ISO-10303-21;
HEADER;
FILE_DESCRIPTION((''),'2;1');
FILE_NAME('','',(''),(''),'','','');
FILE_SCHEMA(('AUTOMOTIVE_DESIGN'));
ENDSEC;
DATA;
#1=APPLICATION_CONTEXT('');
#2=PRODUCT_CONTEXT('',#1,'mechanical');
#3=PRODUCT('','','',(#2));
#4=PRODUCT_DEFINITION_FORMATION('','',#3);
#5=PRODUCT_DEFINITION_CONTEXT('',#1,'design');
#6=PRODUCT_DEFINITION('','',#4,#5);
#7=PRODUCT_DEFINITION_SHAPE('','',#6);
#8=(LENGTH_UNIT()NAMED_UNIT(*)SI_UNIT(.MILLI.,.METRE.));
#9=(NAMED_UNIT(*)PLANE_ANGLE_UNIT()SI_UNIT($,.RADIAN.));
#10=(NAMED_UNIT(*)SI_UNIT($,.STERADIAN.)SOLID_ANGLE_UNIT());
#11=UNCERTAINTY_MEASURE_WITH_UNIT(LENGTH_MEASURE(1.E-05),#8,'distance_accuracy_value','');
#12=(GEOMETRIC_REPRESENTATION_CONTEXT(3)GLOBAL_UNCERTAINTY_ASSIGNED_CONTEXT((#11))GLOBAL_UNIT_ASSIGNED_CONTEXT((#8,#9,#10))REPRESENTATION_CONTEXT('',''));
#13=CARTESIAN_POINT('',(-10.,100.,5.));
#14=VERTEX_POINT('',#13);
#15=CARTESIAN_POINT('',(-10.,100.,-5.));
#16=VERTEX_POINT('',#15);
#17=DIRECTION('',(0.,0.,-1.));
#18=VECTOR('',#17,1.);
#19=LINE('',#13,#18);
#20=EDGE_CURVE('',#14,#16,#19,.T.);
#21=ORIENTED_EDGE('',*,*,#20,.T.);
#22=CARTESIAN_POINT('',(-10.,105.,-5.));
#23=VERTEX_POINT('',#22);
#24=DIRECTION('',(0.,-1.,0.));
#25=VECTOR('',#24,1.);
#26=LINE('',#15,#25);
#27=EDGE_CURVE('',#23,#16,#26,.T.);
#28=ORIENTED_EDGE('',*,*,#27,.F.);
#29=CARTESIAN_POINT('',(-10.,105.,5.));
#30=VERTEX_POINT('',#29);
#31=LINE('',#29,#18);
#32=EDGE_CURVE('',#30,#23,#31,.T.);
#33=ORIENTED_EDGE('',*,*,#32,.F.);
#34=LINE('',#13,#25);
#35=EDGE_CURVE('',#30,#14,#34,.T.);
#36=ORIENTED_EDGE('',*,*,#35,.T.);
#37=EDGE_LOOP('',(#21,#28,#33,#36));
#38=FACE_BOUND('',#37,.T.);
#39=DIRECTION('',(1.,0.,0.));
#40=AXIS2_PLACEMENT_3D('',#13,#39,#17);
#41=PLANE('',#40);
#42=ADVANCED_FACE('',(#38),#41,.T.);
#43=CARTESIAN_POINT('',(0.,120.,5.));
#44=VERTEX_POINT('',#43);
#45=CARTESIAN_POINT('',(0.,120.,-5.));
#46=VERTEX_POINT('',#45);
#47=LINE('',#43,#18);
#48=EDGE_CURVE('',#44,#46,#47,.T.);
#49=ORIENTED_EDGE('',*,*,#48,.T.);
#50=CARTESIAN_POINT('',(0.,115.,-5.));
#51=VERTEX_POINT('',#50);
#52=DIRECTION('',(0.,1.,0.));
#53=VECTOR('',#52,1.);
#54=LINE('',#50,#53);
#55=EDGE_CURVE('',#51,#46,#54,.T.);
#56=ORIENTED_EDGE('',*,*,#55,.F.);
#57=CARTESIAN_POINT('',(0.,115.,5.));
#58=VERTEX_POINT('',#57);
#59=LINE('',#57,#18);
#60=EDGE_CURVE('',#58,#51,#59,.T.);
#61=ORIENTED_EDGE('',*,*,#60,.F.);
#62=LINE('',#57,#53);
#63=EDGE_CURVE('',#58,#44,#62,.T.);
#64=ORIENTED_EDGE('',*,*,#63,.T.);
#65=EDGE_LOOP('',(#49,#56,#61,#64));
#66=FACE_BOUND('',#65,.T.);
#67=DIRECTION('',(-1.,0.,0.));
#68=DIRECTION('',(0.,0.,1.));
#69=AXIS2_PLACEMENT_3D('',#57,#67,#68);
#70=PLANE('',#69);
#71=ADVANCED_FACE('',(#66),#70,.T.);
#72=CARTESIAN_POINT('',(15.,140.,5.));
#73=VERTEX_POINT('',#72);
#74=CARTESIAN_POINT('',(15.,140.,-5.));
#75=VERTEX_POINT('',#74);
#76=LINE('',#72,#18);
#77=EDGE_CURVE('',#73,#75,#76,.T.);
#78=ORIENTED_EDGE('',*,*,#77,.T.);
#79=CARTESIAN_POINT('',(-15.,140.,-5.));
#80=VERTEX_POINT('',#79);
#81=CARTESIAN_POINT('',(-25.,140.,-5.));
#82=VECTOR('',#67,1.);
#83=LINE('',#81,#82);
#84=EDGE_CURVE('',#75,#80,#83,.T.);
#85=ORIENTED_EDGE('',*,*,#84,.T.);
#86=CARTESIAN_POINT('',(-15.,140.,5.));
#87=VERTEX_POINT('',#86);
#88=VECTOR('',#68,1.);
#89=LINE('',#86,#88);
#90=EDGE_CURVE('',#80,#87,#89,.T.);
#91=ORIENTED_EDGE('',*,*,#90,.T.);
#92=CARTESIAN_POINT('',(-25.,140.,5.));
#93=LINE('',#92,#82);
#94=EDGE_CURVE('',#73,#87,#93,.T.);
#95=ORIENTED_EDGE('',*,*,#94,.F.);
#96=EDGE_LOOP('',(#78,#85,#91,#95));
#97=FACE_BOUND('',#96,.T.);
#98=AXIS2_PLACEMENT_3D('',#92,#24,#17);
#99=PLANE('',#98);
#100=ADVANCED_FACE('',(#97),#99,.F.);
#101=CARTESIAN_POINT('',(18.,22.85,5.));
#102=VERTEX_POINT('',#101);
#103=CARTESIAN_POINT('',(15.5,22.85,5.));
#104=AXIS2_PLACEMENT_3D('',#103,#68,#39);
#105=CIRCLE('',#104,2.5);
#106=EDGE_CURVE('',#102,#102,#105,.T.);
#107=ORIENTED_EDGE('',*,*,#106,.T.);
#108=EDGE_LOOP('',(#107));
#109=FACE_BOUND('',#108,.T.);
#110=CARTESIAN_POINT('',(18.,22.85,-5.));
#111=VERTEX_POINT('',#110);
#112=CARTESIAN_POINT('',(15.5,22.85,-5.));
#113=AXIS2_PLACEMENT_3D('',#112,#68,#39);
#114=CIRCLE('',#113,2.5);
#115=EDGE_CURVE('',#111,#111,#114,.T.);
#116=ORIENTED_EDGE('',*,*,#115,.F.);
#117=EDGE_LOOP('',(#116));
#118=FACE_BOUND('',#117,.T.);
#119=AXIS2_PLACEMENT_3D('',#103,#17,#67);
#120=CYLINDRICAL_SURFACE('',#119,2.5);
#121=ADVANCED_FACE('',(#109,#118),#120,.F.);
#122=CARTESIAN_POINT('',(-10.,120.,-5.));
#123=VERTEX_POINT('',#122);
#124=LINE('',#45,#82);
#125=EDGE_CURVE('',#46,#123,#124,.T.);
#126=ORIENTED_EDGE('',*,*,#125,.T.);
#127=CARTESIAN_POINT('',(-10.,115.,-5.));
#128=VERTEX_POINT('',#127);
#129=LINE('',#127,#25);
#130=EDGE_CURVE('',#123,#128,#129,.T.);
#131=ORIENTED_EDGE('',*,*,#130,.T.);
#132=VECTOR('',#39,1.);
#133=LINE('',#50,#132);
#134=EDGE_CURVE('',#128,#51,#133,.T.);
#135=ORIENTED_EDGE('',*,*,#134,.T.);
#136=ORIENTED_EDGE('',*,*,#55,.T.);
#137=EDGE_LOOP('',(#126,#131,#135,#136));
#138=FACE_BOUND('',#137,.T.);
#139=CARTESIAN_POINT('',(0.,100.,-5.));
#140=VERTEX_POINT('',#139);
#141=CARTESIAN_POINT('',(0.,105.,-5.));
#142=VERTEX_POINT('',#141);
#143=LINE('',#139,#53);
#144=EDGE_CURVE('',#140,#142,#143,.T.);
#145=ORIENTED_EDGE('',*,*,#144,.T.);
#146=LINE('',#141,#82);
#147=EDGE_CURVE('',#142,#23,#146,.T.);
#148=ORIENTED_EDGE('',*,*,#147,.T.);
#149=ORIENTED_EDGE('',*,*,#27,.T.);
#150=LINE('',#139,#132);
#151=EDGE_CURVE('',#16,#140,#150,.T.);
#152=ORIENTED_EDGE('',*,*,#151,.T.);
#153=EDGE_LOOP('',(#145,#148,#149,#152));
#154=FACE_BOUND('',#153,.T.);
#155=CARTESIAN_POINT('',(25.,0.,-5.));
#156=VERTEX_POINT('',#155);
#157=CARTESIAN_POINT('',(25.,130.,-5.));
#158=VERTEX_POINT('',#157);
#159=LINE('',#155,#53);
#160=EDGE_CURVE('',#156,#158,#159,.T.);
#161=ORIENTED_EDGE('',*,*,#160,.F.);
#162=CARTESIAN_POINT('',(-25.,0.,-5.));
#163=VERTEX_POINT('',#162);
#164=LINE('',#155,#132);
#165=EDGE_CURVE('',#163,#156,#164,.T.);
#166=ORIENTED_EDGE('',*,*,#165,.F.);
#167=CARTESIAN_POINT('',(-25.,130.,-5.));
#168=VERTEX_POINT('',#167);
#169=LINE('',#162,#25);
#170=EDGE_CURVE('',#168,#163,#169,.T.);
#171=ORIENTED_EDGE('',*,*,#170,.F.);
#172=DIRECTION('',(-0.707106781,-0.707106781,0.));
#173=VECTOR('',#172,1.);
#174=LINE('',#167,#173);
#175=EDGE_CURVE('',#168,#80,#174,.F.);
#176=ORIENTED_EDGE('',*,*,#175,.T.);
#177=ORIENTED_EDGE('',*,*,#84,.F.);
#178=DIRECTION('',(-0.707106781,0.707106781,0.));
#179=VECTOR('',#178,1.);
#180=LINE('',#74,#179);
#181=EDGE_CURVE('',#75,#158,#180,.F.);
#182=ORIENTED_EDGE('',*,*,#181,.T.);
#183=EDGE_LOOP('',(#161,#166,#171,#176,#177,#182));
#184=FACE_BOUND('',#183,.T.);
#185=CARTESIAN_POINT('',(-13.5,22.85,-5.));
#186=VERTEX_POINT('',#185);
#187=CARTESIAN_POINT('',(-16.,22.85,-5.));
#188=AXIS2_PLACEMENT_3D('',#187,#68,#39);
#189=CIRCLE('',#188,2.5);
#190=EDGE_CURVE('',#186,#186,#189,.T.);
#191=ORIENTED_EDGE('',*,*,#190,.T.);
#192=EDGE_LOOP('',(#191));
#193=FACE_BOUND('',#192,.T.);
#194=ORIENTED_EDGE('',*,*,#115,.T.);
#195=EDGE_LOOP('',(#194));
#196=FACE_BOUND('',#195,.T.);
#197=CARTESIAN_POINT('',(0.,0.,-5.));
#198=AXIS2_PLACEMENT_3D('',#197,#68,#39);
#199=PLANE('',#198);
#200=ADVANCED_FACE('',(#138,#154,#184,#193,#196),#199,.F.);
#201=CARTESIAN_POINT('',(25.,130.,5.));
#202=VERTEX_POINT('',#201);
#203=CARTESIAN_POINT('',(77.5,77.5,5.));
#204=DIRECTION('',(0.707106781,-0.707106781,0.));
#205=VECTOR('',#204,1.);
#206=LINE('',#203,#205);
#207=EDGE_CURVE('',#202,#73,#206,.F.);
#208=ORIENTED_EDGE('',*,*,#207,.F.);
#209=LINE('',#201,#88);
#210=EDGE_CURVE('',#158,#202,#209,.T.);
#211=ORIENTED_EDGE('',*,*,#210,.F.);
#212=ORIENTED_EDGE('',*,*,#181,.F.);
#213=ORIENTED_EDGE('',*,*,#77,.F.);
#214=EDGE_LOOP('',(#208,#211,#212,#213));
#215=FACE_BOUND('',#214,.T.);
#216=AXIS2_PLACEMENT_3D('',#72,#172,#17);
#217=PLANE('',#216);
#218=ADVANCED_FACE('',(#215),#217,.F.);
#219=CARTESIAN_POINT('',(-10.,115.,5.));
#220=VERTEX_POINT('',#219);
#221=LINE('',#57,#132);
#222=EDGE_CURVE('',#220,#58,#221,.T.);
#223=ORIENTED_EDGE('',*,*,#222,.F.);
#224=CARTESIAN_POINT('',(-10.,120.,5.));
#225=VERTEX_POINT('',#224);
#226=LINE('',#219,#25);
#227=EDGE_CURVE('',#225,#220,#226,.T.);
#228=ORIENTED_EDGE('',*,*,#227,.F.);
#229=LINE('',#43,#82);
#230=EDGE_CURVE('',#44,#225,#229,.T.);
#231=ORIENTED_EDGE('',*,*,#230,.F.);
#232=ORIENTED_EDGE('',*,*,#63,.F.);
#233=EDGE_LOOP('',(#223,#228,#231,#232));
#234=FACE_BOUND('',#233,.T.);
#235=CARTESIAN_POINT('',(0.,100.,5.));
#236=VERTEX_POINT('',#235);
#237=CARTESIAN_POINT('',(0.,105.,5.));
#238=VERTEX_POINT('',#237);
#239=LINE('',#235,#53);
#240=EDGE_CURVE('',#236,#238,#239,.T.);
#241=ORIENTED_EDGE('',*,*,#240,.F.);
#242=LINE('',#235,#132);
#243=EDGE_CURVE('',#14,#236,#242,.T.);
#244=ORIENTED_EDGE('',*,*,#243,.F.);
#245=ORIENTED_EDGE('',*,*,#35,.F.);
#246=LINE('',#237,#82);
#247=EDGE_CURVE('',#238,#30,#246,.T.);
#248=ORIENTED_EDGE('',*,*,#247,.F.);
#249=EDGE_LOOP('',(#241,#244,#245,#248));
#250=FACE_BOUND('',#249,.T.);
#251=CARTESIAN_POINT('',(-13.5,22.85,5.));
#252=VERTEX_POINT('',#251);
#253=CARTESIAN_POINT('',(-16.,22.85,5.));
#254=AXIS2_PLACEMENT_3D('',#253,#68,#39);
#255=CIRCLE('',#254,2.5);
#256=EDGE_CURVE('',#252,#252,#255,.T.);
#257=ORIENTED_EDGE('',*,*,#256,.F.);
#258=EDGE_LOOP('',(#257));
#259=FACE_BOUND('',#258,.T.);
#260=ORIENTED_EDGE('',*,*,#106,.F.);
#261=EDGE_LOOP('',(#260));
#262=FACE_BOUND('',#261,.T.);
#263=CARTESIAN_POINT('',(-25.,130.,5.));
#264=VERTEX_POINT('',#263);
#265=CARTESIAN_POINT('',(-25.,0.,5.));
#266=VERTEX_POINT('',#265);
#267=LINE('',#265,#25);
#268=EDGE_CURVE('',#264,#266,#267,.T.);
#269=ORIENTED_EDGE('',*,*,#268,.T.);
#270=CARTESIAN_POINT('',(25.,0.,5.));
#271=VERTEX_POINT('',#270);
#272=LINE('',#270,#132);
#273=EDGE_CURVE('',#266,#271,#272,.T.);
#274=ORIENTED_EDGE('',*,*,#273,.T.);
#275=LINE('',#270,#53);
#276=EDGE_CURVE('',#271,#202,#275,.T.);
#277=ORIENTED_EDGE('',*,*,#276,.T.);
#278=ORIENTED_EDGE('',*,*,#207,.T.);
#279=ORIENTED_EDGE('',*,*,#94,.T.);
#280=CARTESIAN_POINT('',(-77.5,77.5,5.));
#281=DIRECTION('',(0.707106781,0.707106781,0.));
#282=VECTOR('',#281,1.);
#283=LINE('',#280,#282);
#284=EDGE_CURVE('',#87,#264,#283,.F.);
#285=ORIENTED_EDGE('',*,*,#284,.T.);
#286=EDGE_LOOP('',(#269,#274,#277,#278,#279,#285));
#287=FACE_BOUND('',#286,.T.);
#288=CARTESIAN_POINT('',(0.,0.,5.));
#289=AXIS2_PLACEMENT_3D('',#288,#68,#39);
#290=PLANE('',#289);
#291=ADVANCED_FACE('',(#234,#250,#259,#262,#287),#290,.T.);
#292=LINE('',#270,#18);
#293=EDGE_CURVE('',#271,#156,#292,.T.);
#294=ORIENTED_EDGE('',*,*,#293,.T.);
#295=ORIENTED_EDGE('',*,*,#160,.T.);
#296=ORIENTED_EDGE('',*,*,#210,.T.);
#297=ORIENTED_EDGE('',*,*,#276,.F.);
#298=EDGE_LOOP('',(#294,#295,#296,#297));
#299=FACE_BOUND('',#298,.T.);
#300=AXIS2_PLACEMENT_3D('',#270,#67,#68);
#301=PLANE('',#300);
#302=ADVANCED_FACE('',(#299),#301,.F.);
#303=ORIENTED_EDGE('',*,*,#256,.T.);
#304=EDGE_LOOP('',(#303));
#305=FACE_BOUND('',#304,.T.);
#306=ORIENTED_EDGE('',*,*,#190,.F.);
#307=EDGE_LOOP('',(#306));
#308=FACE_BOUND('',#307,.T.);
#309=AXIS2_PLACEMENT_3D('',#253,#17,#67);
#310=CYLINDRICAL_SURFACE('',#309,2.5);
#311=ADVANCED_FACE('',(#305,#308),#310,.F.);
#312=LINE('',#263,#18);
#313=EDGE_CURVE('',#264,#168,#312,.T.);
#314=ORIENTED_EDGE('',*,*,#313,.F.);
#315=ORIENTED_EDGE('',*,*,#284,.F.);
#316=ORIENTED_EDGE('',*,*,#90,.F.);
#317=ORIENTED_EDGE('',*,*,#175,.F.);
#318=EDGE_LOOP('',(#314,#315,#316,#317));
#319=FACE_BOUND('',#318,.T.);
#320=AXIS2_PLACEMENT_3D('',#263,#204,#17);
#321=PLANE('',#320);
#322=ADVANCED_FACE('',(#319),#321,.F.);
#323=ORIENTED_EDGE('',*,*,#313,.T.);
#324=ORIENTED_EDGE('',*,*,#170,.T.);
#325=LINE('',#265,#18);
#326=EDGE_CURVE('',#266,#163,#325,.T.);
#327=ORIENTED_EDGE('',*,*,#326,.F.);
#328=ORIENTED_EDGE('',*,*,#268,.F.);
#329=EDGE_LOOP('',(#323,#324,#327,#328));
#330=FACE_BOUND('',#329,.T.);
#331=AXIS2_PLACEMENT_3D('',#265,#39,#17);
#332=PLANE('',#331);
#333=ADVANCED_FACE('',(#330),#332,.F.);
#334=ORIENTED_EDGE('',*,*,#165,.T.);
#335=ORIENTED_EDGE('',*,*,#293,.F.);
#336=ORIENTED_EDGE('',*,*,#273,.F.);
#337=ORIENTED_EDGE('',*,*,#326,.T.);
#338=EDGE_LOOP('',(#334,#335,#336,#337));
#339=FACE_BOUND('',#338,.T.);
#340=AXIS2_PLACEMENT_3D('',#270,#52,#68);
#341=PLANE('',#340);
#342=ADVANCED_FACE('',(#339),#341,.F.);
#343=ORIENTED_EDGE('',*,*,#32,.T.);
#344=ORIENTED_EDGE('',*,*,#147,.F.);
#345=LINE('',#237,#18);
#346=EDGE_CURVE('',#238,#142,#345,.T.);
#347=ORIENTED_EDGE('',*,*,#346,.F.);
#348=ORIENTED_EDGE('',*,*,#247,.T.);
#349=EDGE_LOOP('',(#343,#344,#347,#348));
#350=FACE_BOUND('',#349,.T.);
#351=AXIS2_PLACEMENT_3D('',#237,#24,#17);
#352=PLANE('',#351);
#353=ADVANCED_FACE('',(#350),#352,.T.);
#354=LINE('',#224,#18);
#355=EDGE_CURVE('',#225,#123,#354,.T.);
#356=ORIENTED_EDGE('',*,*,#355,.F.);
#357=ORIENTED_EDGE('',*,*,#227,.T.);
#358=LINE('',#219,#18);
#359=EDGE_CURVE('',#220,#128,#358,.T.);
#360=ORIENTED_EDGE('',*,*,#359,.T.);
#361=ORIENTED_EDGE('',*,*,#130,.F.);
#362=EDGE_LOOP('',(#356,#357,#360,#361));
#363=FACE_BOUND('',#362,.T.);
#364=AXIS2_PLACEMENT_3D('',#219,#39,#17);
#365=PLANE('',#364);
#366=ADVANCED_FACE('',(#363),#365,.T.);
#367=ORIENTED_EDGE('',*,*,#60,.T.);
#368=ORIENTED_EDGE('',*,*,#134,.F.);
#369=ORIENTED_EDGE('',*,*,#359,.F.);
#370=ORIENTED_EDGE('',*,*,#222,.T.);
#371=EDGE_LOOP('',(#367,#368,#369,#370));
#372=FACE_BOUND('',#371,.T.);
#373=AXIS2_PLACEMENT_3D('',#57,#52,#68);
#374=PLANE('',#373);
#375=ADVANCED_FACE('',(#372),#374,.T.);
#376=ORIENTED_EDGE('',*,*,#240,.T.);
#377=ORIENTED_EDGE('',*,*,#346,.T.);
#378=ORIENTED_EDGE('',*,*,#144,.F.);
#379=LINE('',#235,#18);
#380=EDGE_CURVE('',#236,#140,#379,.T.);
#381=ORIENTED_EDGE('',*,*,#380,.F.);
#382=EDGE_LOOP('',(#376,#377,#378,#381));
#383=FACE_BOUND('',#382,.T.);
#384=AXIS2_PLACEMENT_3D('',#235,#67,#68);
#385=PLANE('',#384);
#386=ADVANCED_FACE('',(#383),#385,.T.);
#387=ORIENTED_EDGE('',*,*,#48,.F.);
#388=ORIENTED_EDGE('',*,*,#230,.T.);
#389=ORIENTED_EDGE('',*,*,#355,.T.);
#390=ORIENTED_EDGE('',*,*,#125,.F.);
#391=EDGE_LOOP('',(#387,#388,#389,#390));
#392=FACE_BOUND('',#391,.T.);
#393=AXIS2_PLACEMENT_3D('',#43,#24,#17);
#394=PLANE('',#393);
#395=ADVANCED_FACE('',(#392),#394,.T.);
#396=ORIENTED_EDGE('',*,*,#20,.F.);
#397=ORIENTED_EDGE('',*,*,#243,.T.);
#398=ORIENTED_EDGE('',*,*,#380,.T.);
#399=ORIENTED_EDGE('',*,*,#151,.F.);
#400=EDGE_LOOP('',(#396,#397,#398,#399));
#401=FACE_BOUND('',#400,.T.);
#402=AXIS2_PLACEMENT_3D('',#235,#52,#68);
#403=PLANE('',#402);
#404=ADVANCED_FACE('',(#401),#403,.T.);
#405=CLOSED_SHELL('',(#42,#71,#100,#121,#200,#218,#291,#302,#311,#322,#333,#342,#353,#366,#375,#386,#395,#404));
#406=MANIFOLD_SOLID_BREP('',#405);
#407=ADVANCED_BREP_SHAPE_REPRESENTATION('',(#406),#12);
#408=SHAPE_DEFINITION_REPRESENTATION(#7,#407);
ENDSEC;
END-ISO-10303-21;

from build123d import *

# Parameters (mm, degrees)
SKETCH1_W           = 50
SKETCH1_H           = 140
SKETCH1_R           = 2.5
SKETCH1_W_2         = 10
SKETCH1_H_2         = 5
BOSS_EXTRUDE1_DEPTH = 5
CHAMFER1_SIZE       = 10


with BuildPart() as part:
    # Sketch1 → Boss-Extrude1 (new, symmetric)
    with BuildSketch(Plane.XY):
        with Locations((0, 70)):
            Rectangle(SKETCH1_W, SKETCH1_H)
        with Locations((-16, 22.85)):
            Circle(SKETCH1_R, mode=Mode.SUBTRACT)
        with Locations((15.5, 22.85)):
            Circle(SKETCH1_R, mode=Mode.SUBTRACT)
        with Locations((-5, 102.5)):
            Rectangle(SKETCH1_W_2, SKETCH1_H_2, mode=Mode.SUBTRACT)
        with Locations((-5, 117.5)):
            Rectangle(SKETCH1_W_2, SKETCH1_H_2, mode=Mode.SUBTRACT)
    extrude(amount=BOSS_EXTRUDE1_DEPTH, both=True)

    # Chamfer1
    chamfer1_edges = [part.edges().sort_by_distance(p)[0] for p in [
        (25, 140, 0),
        (-25, 140, 0),
    ]]
    chamfer(chamfer1_edges, length=CHAMFER1_SIZE)


solid = part.part
